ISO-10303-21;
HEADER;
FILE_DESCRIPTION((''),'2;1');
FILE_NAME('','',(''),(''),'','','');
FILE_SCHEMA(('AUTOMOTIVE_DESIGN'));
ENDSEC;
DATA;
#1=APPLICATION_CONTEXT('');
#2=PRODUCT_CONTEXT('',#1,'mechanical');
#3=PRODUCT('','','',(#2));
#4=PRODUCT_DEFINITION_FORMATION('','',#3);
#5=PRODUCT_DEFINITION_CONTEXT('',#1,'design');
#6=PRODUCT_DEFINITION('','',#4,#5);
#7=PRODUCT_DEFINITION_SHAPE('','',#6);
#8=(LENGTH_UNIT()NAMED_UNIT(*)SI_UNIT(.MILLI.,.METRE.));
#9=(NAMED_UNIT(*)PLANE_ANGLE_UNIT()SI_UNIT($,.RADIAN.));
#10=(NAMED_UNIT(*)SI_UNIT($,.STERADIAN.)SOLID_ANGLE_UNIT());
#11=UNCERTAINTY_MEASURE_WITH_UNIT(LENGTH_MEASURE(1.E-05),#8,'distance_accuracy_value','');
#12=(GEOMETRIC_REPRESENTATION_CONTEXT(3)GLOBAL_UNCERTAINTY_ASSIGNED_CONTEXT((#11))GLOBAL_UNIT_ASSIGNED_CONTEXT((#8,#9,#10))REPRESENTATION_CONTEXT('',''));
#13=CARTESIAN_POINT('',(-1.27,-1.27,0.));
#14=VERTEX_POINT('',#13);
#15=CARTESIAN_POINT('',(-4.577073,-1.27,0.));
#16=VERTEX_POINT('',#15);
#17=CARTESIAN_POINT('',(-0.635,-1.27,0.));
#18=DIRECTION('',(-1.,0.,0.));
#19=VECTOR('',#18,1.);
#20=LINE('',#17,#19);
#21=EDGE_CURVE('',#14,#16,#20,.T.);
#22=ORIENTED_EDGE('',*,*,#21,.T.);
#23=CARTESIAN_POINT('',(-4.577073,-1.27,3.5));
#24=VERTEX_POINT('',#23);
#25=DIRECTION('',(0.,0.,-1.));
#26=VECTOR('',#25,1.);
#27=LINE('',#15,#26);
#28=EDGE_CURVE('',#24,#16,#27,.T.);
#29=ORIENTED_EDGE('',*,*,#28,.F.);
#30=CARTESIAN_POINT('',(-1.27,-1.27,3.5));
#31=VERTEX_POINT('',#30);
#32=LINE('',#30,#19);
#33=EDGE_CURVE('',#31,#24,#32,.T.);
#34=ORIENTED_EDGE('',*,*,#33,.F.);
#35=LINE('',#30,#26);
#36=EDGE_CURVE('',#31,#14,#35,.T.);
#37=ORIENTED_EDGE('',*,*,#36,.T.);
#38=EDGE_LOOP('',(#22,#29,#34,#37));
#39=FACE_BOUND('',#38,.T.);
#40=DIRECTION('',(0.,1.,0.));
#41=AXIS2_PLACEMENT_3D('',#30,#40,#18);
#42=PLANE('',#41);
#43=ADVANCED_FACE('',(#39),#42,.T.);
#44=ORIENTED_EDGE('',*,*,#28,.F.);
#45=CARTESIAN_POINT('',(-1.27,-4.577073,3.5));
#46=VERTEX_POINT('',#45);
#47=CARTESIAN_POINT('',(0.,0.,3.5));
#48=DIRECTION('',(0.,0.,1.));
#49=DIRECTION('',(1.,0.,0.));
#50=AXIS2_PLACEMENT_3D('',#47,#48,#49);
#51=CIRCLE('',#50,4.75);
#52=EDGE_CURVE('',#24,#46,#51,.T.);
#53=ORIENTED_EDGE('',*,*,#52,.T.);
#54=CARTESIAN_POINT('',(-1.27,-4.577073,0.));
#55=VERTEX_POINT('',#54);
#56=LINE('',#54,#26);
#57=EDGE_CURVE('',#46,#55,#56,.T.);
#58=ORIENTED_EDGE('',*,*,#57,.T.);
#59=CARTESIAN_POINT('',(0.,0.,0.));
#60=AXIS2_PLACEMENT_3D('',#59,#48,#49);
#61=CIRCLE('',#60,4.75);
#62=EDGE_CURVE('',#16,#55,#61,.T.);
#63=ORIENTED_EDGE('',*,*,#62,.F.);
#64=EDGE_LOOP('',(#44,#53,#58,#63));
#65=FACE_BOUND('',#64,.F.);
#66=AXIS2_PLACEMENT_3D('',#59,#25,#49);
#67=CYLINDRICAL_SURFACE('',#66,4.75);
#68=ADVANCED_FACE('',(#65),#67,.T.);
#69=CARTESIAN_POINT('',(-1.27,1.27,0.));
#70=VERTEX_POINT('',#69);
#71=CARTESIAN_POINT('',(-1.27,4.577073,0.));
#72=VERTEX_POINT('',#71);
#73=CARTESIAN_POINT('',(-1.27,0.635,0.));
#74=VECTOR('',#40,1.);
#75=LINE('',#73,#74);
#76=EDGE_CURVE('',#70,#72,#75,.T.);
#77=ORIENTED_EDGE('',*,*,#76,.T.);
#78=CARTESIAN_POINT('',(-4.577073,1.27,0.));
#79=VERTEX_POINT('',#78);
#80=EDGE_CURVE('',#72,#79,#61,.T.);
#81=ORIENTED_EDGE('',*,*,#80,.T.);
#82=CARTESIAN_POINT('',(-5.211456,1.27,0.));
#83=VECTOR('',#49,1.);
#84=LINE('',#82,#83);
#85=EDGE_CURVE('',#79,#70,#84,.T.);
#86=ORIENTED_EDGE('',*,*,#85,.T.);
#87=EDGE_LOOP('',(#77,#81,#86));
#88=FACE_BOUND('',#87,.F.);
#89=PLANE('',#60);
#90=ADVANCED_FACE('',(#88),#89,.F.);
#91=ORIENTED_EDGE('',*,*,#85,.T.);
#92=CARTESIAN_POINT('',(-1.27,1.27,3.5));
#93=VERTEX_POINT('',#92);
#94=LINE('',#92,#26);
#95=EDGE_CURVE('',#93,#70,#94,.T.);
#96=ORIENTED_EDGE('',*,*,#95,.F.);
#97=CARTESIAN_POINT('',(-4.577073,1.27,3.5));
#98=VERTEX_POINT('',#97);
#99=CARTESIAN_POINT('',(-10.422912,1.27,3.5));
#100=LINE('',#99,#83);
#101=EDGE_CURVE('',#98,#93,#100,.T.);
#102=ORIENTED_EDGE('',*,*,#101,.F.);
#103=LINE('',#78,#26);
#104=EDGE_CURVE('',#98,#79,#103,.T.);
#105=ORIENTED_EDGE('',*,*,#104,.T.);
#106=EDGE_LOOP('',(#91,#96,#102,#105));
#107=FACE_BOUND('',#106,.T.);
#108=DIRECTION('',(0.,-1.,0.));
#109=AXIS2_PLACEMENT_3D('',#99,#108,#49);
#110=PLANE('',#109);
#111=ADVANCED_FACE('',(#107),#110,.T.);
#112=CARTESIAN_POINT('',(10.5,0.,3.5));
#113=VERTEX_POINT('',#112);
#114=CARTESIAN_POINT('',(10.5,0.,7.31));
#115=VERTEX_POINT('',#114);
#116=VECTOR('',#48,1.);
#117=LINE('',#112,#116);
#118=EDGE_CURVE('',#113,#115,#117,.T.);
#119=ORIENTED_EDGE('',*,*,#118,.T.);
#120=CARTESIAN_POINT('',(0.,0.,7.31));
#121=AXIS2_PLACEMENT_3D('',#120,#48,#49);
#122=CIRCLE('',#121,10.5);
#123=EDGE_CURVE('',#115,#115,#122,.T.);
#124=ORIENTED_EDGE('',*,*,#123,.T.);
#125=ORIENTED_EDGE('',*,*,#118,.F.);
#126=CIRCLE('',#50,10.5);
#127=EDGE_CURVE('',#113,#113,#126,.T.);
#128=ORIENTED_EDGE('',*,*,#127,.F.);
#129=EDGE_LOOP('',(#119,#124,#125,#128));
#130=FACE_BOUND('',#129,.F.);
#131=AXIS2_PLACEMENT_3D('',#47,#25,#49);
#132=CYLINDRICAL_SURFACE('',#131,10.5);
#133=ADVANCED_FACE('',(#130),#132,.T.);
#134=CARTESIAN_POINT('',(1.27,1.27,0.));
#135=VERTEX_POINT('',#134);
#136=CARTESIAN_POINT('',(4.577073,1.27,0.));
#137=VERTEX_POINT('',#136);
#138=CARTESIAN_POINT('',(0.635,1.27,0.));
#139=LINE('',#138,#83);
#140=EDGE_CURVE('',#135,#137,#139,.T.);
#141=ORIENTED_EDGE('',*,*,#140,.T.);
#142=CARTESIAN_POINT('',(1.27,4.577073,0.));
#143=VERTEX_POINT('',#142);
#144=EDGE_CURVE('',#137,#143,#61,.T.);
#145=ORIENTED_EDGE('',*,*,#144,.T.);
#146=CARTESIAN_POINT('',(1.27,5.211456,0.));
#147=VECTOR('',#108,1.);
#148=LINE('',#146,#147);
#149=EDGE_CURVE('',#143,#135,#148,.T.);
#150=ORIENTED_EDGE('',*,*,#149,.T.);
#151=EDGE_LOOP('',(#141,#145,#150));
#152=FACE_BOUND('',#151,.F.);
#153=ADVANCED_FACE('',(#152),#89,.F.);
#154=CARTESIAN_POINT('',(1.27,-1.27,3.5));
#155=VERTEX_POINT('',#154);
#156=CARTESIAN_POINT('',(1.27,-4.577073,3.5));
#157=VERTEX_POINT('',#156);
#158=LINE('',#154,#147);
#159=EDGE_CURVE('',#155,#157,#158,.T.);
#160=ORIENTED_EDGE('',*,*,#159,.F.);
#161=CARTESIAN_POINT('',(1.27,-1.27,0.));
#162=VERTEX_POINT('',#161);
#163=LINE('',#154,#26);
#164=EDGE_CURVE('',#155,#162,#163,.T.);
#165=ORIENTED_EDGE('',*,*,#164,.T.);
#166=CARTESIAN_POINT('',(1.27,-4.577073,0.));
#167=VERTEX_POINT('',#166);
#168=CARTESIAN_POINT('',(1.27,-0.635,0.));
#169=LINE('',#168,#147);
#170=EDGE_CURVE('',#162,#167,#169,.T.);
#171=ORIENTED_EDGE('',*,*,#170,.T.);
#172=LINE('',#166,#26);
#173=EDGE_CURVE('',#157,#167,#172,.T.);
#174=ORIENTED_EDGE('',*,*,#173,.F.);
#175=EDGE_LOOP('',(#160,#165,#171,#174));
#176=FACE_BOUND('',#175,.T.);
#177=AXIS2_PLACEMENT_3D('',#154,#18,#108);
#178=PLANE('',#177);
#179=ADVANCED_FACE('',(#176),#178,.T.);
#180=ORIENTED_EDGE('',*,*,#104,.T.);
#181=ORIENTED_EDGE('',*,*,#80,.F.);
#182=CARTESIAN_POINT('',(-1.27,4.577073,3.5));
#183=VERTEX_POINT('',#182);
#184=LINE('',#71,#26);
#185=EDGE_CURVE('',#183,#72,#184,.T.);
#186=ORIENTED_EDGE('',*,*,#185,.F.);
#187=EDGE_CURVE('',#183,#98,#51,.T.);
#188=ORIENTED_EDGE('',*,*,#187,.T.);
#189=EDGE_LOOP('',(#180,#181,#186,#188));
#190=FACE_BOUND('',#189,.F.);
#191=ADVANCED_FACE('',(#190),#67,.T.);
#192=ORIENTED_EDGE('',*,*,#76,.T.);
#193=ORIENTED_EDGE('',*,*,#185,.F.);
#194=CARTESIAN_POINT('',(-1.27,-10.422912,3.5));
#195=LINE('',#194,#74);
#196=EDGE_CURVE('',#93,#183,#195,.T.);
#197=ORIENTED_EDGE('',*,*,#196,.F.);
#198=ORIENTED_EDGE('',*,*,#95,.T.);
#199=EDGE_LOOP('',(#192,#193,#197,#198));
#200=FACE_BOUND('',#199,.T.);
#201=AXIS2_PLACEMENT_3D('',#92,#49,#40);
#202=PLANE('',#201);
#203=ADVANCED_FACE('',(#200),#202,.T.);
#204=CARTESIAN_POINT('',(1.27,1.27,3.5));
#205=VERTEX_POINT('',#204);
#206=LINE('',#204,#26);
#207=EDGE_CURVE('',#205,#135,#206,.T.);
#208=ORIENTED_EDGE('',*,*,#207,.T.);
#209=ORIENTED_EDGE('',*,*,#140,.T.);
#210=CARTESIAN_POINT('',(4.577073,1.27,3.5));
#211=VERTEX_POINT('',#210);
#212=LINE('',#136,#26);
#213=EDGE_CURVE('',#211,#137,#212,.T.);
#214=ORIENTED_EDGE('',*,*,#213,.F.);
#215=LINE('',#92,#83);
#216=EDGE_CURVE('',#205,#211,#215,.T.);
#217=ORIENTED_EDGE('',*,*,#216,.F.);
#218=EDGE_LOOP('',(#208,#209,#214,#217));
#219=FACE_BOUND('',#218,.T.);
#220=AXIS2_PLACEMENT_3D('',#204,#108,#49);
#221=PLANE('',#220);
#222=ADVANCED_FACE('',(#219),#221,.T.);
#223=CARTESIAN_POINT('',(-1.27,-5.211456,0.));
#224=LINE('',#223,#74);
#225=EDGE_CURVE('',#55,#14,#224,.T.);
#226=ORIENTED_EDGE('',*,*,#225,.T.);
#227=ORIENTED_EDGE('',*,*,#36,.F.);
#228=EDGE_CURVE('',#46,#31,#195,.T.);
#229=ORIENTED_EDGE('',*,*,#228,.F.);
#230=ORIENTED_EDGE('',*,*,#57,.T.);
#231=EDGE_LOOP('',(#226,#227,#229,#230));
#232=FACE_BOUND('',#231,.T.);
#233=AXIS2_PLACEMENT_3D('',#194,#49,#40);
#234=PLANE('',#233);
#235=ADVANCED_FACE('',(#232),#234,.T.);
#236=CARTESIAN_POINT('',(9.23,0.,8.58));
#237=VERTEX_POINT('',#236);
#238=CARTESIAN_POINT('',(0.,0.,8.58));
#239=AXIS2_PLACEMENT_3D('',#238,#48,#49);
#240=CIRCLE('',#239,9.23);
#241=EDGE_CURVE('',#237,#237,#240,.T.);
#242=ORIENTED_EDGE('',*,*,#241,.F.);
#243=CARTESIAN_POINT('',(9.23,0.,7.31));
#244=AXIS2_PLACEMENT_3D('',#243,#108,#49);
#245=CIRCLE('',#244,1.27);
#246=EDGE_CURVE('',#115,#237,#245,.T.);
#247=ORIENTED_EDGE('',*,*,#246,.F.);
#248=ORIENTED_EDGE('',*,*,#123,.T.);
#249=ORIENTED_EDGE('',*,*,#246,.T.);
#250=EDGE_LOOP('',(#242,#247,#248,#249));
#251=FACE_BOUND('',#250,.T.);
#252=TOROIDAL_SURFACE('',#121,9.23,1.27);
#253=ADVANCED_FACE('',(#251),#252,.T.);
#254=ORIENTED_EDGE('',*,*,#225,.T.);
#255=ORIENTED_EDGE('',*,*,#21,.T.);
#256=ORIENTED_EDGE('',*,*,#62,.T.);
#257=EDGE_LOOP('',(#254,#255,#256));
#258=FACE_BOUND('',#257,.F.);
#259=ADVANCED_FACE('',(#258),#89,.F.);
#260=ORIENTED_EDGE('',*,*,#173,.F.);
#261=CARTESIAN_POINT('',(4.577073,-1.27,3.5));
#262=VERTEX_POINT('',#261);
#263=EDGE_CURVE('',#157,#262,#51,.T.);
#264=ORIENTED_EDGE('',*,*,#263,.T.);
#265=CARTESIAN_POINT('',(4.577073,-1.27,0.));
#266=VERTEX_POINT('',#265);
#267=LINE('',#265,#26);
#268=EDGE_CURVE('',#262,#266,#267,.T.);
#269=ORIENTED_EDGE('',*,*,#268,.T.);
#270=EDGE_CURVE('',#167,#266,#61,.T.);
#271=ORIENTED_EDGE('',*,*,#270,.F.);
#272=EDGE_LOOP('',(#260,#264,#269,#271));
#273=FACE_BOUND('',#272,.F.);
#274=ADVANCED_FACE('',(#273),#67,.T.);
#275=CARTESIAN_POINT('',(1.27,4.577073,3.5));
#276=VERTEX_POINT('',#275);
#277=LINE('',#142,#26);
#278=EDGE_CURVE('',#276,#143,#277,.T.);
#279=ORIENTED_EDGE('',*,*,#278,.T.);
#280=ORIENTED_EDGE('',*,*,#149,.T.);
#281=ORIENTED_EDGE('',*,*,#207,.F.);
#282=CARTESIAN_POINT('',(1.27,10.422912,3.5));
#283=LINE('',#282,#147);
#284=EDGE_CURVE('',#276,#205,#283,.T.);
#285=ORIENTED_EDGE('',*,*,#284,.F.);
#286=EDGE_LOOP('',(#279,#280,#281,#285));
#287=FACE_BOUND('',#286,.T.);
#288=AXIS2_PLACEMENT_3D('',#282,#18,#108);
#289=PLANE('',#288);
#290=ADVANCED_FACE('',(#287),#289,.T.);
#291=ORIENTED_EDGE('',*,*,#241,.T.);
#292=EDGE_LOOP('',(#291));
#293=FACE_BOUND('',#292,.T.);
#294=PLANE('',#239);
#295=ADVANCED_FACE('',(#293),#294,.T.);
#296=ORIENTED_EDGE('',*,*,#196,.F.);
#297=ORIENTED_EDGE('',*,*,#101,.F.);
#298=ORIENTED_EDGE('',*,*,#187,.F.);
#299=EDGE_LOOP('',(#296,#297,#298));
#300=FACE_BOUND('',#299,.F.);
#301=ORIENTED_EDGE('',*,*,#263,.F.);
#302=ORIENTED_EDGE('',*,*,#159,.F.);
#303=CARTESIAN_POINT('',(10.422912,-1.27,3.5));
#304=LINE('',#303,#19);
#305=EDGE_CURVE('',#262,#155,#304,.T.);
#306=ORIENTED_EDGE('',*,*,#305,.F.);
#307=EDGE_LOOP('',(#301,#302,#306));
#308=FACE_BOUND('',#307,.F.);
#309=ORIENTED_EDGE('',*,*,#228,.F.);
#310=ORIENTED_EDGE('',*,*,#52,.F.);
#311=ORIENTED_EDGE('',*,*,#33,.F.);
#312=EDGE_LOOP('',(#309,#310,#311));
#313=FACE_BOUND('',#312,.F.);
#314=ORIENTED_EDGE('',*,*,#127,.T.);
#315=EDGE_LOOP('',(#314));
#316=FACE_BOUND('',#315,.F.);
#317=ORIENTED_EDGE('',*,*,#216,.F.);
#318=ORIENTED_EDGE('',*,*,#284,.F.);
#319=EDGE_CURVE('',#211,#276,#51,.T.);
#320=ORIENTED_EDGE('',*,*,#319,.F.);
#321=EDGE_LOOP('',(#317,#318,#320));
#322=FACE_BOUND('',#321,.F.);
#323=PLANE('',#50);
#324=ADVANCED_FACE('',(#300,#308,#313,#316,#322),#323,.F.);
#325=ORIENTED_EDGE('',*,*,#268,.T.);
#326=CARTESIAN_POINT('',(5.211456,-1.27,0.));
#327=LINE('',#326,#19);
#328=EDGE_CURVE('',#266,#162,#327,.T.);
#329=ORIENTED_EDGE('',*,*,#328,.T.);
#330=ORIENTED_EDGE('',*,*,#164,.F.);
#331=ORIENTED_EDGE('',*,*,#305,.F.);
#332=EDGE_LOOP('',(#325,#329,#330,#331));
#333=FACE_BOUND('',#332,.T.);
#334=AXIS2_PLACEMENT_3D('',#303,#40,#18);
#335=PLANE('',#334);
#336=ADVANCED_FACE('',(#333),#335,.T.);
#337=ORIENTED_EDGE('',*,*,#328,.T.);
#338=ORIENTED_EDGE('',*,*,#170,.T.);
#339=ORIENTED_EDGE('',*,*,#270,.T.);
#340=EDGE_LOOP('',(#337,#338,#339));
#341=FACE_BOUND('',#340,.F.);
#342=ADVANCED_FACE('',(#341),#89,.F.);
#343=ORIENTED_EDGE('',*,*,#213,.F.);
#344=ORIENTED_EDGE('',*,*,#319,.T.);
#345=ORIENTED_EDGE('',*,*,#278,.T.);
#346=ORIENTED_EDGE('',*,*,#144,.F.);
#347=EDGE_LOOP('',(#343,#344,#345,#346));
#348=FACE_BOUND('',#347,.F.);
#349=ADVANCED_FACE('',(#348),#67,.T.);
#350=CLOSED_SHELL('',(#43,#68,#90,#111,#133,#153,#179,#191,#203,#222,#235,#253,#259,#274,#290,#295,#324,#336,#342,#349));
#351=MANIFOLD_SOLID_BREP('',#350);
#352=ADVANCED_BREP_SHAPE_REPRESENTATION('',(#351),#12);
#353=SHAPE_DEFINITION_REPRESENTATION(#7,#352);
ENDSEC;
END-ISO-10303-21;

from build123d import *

# Parameters (mm, degrees)
F0_R     = 4.75
F1_DEPTH = 3.5
F2_R     = 10.5
F2_R_2   = 4.75
F3_DEPTH = 5.08
F4_R     = 1.27
F6_DEPTH = 25.4


with BuildPart() as f1:
    # F0 (on Top) → F1 (new body)
    with BuildSketch(Plane.XY):
        Circle(F0_R)
    extrude(amount=F1_DEPTH)

    # F2 (on face) → F3 (join)
    with BuildSketch(Plane.XY.offset(3.5)):
        Circle(F2_R)
        Circle(F2_R_2, mode=Mode.SUBTRACT)
        Circle(F2_R_2)
    extrude(amount=F3_DEPTH)

    # F4
    f4_edges = [f1.edges().sort_by_distance(p)[0] for p in [
        (-10.5, 0, 8.58),
    ]]
    fillet(f4_edges, radius=F4_R)

    # F5 (on face) → F6 (cut)
    with BuildSketch(Plane(origin=(0, 0, 3.5), x_dir=(1, 0, 0), z_dir=(0, 0, -1))):
        Polygon((1.27, 1.27), (1.27, 0), (1.27, -1.27), (10.422912261, -1.27), (10.422912261, 1.27), align=None)
        Polygon((1.27, -1.27), (1.27, 0), (1.27, 1.27), (0, 1.27), (-1.27, 1.27), (-1.27, 0), (-1.27, -1.27), (0, -1.27), align=None)
        Polygon((1.27, -10.422912261), (1.27, -1.27), (0, -1.27), (-1.27, -1.27), (-1.27, -10.422912261), align=None)
        Polygon((0, 1.27), (1.27, 1.27), (1.27, 10.422912261), (-1.27, 10.422912261), (-1.27, 1.27), align=None)
        Polygon((-10.422912261, -1.27), (-1.27, -1.27), (-1.27, 0), (-1.27, 1.27), (-10.422912261, 1.27), align=None)
    extrude(amount=F6_DEPTH, mode=Mode.SUBTRACT)


solid = f1.part
